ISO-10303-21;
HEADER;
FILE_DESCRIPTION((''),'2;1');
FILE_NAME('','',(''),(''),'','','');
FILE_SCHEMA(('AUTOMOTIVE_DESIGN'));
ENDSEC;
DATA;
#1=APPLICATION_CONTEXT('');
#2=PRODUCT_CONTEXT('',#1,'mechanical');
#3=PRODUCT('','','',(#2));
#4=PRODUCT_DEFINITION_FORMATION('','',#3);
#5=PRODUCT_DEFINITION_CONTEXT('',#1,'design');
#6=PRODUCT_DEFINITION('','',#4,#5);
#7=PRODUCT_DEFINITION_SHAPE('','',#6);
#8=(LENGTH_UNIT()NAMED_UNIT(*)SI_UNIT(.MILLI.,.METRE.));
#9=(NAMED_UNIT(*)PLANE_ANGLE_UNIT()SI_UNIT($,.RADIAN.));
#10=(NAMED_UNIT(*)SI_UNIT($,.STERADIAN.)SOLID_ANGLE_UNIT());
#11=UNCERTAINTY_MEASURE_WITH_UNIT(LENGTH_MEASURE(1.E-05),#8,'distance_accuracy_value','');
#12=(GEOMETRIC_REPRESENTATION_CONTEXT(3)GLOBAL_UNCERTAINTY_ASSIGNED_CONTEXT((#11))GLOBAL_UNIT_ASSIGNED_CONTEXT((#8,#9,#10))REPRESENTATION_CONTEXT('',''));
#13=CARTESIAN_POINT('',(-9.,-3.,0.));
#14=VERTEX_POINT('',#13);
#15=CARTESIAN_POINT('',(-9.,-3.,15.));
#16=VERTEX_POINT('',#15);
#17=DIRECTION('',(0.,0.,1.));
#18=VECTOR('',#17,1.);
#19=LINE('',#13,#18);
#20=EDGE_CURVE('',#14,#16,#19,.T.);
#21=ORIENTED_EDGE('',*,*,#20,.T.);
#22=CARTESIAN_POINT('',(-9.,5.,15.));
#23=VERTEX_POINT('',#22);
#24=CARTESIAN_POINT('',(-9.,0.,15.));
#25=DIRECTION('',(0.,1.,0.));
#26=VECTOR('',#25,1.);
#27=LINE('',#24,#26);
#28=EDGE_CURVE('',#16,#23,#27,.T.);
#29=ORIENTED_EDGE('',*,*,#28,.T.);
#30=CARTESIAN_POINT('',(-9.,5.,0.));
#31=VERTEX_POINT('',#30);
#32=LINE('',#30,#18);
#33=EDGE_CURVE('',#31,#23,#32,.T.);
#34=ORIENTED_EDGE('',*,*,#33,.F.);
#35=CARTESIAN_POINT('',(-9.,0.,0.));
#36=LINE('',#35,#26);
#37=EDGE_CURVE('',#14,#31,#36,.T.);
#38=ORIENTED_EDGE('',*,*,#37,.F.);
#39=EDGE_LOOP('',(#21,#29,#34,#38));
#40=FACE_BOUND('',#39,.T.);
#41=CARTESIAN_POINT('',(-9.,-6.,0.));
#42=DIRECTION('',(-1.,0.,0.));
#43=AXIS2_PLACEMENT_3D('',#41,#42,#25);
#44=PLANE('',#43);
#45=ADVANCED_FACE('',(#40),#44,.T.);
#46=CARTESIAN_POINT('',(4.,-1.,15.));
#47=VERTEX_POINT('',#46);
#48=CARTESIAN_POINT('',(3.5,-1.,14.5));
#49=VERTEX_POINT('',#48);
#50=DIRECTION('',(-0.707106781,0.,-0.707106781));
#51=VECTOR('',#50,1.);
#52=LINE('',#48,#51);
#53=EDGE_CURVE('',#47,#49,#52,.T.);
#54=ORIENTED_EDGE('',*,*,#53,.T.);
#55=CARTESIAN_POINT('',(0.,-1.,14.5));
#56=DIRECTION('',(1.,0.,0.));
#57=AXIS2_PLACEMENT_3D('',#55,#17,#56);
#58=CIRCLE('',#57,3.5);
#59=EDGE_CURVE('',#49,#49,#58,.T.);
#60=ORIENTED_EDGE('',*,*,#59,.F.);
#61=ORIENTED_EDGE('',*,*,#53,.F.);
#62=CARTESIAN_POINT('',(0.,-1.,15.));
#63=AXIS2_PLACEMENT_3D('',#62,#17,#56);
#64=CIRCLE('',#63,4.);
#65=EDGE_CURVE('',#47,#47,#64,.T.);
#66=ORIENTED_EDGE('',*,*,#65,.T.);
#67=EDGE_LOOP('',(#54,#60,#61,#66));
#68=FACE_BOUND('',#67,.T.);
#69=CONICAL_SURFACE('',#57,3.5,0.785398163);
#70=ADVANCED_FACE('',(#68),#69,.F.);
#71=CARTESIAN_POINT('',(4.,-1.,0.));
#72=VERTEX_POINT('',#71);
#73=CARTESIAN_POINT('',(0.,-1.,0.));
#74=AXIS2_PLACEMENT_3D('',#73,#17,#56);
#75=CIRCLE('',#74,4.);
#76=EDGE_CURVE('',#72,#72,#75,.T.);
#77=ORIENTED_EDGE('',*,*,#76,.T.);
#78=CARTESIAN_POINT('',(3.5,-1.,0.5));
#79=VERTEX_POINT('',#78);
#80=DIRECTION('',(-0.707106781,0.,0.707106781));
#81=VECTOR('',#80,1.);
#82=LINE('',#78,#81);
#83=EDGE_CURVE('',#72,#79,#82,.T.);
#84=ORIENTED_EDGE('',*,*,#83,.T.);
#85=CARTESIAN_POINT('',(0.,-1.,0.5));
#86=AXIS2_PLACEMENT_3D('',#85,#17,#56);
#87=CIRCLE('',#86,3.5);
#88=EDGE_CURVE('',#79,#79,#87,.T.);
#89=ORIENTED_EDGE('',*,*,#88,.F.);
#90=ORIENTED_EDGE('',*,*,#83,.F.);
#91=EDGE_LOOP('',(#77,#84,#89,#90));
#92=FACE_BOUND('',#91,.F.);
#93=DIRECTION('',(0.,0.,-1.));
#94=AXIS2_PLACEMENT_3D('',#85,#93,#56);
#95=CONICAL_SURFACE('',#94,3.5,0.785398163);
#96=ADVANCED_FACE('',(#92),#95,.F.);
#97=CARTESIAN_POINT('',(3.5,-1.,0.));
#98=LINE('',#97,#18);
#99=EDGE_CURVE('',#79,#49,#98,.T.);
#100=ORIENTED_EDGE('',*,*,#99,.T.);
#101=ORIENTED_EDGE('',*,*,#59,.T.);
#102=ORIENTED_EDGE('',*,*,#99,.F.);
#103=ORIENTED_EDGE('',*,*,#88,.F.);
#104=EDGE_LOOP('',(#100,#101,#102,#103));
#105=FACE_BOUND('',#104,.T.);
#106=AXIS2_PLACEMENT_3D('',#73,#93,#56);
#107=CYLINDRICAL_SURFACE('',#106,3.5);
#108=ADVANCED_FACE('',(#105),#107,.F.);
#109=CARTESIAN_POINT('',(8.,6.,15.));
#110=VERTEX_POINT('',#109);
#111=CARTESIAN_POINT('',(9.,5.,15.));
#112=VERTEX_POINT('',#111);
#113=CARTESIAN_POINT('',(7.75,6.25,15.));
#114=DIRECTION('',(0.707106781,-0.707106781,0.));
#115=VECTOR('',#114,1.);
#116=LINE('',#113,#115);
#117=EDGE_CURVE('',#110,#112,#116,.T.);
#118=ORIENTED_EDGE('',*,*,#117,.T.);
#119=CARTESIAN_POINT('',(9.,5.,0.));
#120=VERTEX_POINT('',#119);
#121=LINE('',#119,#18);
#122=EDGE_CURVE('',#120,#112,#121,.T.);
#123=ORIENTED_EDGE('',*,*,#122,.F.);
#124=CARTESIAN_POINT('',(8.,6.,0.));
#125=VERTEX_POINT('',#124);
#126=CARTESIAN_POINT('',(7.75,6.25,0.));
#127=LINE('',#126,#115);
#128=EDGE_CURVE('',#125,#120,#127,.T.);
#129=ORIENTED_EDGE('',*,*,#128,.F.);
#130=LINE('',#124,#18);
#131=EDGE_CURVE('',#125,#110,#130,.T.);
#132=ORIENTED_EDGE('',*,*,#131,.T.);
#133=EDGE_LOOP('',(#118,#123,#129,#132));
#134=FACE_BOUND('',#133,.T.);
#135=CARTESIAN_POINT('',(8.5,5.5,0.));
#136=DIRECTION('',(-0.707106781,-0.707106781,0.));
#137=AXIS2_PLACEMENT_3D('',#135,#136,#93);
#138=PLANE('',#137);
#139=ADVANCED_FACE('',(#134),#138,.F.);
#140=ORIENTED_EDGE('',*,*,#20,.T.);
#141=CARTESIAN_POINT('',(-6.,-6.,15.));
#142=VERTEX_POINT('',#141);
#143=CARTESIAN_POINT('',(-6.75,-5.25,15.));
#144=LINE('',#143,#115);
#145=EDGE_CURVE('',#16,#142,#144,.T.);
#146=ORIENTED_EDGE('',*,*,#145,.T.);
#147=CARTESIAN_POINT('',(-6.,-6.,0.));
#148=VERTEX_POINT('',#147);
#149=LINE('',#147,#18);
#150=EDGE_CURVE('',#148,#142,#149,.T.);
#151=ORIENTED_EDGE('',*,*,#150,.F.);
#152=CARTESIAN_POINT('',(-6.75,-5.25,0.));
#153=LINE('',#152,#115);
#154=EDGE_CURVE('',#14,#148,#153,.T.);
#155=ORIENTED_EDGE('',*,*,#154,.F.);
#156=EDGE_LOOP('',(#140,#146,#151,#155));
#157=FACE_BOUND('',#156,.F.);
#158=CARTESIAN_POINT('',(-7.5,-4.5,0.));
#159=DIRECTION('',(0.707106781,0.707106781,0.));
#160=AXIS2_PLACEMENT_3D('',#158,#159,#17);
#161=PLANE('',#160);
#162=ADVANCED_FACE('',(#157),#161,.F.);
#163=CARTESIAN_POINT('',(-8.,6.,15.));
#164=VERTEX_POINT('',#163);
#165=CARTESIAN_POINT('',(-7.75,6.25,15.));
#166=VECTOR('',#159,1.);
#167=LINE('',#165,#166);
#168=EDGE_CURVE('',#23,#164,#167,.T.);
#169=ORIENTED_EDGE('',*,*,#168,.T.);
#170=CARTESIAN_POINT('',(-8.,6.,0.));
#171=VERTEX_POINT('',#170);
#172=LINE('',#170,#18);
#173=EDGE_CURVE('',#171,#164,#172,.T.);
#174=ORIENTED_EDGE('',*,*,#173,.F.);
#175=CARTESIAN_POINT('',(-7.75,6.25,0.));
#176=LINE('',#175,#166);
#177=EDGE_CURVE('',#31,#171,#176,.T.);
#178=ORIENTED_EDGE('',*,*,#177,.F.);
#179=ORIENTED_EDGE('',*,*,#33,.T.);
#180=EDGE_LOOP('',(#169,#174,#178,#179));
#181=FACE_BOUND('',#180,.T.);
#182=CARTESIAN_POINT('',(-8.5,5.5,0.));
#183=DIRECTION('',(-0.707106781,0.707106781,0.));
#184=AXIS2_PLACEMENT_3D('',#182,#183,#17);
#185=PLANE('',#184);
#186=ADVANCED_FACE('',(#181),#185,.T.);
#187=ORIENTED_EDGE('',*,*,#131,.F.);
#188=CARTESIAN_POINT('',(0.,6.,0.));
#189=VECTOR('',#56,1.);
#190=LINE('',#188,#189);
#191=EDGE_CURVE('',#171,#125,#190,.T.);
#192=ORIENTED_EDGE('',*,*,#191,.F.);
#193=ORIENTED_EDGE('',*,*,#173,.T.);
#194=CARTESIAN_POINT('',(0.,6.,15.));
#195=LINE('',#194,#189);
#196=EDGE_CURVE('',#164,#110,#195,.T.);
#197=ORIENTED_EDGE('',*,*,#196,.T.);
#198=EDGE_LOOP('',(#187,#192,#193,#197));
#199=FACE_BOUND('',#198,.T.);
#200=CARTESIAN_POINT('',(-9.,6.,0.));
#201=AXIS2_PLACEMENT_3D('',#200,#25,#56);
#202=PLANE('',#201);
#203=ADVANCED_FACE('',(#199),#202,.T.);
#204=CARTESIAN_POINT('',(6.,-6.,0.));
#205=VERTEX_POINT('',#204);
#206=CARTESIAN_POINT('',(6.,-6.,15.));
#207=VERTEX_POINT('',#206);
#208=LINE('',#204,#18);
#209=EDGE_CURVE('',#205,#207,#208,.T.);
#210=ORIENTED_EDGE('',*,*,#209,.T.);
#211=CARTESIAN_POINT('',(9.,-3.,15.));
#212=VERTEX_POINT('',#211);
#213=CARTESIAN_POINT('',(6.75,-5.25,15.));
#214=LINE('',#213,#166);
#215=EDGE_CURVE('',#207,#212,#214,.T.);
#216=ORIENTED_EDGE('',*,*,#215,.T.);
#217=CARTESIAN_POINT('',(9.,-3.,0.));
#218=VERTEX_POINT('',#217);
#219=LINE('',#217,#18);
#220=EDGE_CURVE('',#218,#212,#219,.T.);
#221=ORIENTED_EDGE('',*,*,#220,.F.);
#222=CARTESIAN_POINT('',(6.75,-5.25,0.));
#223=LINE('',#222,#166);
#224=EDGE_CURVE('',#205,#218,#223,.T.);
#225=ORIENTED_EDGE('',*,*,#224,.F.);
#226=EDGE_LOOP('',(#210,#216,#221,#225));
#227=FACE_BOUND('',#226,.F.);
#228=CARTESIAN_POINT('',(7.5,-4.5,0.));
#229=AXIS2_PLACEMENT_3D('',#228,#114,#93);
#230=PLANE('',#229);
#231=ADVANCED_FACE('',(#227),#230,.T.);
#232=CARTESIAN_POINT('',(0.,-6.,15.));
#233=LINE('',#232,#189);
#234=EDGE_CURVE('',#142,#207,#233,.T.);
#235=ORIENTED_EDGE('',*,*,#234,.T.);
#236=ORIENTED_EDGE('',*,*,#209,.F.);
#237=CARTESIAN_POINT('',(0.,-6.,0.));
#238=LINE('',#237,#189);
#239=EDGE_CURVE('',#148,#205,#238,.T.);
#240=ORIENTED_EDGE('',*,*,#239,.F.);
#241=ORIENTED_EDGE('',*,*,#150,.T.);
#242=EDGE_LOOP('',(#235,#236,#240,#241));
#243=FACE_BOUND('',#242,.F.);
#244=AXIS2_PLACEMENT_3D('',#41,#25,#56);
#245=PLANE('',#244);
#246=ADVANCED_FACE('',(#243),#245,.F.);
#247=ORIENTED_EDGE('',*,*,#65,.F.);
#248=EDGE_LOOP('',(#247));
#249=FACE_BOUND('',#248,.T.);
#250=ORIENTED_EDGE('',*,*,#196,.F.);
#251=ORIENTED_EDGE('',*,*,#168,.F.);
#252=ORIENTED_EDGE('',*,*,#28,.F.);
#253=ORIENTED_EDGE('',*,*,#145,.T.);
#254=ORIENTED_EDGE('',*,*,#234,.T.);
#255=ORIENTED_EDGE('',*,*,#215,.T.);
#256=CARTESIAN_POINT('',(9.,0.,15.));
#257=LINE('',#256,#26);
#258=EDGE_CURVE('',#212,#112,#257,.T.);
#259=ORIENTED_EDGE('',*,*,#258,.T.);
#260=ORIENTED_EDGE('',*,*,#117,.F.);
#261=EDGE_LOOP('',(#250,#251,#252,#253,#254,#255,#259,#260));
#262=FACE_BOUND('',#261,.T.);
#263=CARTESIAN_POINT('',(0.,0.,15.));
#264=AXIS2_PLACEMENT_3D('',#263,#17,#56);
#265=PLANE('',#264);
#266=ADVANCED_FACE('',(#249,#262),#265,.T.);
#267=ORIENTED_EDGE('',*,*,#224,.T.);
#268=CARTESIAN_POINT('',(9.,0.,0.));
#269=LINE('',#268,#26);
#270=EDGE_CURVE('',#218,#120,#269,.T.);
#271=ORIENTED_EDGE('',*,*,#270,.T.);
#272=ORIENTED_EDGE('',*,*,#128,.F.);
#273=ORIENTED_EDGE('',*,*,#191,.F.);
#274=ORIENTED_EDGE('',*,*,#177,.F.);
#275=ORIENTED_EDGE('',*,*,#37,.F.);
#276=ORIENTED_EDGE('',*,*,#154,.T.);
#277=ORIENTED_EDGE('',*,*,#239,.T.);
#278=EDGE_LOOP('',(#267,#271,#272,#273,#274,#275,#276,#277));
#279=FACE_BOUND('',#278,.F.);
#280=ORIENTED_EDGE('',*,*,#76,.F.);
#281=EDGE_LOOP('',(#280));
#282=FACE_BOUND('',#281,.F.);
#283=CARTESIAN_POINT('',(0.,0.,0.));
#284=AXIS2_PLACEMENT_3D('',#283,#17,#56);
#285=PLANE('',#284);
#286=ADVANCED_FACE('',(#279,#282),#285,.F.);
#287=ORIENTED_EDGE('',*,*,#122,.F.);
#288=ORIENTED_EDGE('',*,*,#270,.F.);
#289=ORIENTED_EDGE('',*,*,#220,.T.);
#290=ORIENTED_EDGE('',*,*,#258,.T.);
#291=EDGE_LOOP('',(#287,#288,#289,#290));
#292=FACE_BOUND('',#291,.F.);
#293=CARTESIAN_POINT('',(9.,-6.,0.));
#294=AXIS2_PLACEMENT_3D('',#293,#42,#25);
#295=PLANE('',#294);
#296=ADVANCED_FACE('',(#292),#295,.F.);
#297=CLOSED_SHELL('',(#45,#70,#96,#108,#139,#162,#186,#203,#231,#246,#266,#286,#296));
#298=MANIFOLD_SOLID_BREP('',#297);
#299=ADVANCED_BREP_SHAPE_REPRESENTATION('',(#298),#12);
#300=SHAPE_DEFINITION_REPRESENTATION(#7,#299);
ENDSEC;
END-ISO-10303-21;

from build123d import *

# Parameters (mm, degrees)
F0_W     = 18
F0_H     = 12
F0_R     = 3.5
F1_DEPTH = 15
F2_SIZE  = 3
F3_SIZE  = 1
F4_SIZE  = 0.5


with BuildPart() as f1:
    # F0 (on Top) → F1 (new body)
    with BuildSketch(Plane.XY):
        Rectangle(F0_W, F0_H)
        with Locations((0, -1)):
            Circle(F0_R, mode=Mode.SUBTRACT)
    extrude(amount=F1_DEPTH)

    # F2
    f2_edges = [f1.edges().sort_by_distance(p)[0] for p in [
        (9, -6, 7.5),
        (-9, -6, 7.5),
    ]]
    chamfer(f2_edges, length=F2_SIZE)

    # F3
    f3_edges = [f1.edges().sort_by_distance(p)[0] for p in [
        (9, 6, 7.5),
        (-9, 6, 7.5),
    ]]
    chamfer(f3_edges, length=F3_SIZE)

    # F4
    f4_edges = [f1.edges().sort_by_distance(p)[0] for p in [
        (-3.5, -1, 0),
        (-3.5, -1, 15),
    ]]
    chamfer(f4_edges, length=F4_SIZE)


solid = f1.part
